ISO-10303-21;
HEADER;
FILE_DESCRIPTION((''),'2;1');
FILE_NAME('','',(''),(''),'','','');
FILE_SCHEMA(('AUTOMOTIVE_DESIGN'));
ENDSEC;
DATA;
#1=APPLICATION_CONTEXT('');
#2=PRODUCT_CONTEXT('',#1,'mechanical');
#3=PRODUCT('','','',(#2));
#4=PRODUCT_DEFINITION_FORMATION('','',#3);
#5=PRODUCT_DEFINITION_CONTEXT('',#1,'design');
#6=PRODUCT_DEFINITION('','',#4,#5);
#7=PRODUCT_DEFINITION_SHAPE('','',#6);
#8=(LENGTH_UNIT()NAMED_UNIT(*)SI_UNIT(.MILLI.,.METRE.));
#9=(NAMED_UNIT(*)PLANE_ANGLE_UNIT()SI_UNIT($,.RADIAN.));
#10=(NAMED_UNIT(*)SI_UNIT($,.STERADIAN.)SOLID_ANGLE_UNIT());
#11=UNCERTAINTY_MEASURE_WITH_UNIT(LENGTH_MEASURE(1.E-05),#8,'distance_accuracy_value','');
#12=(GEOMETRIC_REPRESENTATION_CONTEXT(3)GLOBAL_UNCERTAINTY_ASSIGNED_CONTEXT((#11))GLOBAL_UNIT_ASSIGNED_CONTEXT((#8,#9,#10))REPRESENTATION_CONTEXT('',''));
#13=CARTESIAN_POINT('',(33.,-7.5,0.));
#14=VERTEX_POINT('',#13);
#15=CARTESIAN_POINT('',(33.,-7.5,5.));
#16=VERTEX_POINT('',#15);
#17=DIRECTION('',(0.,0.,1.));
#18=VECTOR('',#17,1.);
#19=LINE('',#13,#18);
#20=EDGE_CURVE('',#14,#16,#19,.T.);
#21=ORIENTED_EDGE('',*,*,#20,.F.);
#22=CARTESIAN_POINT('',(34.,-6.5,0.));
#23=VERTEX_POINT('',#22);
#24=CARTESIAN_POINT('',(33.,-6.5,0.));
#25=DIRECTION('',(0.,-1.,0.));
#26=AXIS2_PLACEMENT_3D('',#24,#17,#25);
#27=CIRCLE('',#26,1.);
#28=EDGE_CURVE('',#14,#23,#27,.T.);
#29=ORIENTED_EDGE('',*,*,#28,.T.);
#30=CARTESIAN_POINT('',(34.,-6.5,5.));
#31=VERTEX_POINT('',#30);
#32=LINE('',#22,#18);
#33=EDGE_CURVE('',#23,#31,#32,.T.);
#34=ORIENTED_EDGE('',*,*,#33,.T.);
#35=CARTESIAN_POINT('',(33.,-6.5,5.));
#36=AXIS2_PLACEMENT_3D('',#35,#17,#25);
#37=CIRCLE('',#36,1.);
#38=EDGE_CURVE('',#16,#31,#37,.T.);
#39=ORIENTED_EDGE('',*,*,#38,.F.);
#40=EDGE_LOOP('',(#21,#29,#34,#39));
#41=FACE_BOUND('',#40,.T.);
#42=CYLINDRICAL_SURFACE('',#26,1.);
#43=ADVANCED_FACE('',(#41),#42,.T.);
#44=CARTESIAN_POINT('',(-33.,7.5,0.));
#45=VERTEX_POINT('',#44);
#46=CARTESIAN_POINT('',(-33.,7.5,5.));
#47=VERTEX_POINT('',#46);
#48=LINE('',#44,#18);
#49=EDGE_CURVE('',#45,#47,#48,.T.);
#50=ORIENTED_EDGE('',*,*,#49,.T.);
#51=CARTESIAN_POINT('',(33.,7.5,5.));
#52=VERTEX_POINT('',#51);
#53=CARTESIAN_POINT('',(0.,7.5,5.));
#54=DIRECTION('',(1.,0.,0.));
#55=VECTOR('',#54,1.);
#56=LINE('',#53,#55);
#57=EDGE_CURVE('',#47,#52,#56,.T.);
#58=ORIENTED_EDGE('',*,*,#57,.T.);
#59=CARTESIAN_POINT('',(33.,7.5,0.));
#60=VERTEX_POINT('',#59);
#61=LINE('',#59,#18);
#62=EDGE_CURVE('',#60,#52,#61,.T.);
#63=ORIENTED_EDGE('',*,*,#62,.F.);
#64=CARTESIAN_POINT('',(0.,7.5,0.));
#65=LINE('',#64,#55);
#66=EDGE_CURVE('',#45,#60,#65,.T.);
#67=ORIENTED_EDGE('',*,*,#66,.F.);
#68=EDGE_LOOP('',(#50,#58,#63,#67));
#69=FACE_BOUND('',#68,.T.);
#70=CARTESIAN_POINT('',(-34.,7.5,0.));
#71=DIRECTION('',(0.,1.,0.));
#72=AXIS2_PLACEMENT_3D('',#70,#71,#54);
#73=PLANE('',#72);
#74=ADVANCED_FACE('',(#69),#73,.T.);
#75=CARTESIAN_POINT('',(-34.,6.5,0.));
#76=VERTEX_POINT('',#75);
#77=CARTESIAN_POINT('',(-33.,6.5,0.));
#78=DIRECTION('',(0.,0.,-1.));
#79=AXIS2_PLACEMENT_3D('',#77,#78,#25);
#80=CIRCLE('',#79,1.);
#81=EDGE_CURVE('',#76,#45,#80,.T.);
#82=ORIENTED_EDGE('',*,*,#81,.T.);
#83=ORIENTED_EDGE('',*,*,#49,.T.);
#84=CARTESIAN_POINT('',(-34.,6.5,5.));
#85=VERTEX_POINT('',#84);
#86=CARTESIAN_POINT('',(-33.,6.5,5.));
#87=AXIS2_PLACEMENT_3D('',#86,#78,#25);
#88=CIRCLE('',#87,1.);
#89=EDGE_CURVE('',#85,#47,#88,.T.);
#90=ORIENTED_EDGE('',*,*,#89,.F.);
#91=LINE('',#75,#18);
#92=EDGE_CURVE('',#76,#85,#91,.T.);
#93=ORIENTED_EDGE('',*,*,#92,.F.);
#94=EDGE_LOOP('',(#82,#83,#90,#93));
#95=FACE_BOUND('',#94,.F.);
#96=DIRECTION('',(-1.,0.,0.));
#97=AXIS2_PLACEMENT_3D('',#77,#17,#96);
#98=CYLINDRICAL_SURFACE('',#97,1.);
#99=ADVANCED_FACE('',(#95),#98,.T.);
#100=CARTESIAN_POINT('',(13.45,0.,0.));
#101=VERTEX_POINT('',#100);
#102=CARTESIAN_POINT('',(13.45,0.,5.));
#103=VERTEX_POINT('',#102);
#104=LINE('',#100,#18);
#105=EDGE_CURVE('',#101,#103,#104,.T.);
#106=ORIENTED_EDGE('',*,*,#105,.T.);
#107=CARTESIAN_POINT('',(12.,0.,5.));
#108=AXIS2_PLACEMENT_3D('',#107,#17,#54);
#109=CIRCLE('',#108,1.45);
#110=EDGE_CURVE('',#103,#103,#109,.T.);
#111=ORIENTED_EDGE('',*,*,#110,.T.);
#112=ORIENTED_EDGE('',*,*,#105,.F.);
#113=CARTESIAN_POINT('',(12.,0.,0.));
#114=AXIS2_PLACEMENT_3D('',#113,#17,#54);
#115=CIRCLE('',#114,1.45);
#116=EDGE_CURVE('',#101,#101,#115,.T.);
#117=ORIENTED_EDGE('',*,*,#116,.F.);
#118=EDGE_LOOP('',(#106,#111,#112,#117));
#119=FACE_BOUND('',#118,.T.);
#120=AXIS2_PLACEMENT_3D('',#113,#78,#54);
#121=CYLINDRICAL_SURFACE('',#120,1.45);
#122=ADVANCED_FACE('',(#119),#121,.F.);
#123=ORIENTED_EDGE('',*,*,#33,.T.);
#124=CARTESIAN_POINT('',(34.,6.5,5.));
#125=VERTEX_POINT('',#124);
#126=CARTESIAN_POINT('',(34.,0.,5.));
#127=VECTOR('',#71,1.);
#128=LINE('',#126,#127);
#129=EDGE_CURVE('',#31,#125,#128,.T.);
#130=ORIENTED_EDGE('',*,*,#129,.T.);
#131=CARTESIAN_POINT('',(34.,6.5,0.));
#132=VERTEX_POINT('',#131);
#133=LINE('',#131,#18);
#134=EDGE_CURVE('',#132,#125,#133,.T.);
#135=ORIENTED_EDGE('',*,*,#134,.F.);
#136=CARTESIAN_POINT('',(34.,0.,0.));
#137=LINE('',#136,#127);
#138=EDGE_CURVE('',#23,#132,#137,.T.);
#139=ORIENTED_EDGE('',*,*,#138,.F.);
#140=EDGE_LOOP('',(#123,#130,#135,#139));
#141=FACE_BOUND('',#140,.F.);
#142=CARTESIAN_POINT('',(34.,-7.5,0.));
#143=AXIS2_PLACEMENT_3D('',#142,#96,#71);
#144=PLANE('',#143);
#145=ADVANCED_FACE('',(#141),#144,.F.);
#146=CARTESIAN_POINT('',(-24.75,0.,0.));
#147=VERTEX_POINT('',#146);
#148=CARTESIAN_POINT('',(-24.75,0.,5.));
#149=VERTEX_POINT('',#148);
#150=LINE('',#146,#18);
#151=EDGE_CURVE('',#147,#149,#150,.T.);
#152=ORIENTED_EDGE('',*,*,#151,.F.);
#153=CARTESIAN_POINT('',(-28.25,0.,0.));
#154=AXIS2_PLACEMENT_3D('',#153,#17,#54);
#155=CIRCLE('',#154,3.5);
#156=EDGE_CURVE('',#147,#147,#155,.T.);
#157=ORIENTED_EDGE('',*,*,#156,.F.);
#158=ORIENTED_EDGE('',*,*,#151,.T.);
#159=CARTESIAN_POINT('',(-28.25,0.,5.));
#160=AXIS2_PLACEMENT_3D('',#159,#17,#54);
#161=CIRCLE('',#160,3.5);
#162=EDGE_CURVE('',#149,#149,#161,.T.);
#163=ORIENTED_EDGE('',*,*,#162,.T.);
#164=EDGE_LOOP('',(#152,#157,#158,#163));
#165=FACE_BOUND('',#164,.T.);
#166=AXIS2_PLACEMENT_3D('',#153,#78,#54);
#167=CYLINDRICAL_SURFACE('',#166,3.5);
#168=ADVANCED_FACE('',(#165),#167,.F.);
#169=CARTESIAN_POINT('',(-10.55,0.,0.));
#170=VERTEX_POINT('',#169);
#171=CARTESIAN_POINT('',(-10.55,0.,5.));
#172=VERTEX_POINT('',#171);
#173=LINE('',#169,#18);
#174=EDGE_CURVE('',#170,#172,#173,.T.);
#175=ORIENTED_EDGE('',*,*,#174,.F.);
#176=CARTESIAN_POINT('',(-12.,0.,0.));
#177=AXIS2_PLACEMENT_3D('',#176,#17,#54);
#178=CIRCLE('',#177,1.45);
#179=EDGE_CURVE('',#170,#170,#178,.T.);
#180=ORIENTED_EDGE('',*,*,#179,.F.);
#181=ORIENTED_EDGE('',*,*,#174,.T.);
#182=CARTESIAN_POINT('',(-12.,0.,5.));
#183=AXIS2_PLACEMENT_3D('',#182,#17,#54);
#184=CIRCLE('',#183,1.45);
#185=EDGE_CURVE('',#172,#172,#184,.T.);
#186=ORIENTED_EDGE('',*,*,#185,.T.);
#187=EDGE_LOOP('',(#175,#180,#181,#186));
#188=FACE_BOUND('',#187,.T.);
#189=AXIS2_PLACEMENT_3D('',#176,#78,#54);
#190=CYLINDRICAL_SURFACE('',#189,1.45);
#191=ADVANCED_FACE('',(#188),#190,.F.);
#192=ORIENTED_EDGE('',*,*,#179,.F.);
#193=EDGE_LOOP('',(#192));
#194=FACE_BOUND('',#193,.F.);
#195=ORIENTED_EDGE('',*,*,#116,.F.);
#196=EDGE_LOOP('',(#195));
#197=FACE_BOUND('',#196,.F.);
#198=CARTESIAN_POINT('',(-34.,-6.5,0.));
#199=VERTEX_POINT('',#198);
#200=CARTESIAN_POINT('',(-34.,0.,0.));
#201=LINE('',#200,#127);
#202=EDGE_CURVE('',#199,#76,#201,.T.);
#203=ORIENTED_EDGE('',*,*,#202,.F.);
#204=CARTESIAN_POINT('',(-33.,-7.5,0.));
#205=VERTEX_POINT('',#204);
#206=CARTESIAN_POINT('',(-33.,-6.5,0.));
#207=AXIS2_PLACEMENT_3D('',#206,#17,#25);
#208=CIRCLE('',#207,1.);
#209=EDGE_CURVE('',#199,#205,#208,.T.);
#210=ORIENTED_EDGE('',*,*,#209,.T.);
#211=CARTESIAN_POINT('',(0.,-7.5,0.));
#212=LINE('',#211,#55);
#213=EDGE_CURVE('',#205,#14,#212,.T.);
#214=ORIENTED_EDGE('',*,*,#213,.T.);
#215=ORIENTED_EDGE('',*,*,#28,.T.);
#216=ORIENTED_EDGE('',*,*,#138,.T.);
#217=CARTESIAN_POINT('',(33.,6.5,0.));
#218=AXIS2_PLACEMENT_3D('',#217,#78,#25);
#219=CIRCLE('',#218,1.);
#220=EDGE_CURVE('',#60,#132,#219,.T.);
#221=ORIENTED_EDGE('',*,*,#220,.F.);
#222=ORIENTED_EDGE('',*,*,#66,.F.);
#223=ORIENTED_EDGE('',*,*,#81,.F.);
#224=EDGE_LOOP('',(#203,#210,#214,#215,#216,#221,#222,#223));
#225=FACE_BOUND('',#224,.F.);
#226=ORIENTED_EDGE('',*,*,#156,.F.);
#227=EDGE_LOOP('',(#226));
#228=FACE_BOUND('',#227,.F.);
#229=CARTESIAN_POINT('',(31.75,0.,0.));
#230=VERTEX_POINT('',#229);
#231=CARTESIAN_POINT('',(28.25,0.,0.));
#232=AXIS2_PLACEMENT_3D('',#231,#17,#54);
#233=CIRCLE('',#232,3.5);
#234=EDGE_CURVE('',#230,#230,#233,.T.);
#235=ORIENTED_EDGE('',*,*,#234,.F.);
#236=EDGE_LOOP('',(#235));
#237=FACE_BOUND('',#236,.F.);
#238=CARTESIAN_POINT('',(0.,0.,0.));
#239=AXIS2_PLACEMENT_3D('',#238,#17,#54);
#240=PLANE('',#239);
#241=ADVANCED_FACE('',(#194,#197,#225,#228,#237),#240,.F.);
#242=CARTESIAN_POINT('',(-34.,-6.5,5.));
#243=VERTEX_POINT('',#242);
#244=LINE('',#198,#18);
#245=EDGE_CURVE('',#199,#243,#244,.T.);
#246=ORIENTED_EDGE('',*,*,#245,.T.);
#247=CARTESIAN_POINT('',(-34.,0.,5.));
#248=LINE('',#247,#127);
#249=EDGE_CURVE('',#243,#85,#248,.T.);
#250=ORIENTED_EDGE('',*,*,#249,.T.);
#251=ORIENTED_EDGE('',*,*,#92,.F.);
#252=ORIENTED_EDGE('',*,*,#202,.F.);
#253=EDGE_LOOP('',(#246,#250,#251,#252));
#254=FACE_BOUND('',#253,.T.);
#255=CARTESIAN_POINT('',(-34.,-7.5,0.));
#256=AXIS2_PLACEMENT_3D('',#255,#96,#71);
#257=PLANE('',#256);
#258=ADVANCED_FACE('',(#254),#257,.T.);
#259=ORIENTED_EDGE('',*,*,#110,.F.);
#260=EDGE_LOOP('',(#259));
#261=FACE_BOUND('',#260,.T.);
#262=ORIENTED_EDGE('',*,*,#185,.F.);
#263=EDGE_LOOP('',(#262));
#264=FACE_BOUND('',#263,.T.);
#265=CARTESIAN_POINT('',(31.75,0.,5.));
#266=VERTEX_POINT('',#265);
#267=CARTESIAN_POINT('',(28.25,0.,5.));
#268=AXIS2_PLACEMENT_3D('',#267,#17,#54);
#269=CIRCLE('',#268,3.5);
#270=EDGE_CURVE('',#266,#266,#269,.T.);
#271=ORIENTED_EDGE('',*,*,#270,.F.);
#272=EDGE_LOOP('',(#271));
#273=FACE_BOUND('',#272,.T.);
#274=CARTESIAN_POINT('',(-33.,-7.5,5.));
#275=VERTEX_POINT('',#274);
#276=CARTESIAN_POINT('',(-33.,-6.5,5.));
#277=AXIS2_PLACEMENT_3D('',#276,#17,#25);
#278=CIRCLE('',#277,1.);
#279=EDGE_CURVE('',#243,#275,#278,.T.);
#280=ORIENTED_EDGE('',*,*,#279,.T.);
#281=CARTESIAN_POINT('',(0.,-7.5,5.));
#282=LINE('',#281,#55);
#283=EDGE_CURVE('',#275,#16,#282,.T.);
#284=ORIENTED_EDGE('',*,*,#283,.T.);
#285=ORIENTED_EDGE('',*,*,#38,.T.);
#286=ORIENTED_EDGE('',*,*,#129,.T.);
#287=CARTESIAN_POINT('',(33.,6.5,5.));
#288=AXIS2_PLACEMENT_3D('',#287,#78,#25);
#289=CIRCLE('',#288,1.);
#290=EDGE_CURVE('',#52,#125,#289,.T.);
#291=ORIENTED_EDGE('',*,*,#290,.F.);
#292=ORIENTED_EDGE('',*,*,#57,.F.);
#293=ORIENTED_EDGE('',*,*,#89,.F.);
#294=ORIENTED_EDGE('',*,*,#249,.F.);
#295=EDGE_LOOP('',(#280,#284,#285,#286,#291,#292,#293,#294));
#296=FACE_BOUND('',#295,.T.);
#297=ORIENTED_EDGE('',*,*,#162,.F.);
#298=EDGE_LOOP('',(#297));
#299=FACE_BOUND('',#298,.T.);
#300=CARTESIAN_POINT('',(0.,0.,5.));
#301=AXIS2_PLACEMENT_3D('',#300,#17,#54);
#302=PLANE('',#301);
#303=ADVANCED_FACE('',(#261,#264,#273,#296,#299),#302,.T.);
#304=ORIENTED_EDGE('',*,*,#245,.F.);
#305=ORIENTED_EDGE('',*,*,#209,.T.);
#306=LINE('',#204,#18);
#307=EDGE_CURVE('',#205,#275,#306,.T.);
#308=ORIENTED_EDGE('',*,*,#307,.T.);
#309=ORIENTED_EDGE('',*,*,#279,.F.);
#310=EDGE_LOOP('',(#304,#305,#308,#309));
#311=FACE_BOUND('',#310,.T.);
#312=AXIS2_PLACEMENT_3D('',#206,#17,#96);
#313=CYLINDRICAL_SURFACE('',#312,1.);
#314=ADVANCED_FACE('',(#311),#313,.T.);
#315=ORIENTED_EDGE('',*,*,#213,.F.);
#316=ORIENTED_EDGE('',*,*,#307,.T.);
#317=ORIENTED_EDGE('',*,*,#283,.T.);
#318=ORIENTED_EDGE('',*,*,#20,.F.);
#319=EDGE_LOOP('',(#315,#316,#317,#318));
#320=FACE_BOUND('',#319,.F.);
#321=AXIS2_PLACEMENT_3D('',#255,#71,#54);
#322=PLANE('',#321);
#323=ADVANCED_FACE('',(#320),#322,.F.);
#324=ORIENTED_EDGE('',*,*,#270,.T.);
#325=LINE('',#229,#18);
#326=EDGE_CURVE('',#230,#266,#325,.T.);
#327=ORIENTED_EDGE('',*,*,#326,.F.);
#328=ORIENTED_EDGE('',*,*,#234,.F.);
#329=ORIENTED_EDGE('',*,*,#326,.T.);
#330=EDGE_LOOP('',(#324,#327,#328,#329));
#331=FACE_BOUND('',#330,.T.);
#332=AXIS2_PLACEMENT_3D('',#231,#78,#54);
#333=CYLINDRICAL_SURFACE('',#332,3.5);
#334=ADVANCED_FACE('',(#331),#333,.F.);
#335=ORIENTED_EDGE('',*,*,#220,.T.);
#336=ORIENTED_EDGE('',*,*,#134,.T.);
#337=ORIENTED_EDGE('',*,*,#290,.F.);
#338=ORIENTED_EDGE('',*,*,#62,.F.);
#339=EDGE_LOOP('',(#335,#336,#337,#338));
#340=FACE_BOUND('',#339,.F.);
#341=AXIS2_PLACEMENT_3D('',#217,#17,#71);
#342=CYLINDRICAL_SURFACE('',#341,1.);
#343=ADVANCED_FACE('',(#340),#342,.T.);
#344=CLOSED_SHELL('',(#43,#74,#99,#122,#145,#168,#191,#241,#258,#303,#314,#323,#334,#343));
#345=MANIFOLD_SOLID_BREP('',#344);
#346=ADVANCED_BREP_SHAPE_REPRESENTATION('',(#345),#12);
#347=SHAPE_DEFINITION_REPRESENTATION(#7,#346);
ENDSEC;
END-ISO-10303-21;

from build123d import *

# Parameters (mm, degrees)
SKETCH_W   = 68
SKETCH_H   = 15
SKETCH_R   = 3.5
SKETCH_R_2 = 1.45
PAD_DEPTH  = 5
FILLET_R   = 1


with BuildPart() as part:
    # Sketch → Pad (new body)
    with BuildSketch(Plane.XY):
        Rectangle(SKETCH_W, SKETCH_H)
        with Locations((-28.25, 0)):
            Circle(SKETCH_R, mode=Mode.SUBTRACT)
        with Locations((28.25, 0)):
            Circle(SKETCH_R, mode=Mode.SUBTRACT)
        with Locations((-12, 0)):
            Circle(SKETCH_R_2, mode=Mode.SUBTRACT)
        with Locations((12, 0)):
            Circle(SKETCH_R_2, mode=Mode.SUBTRACT)
    extrude(amount=PAD_DEPTH)

    # Fillet
    fillet_edges = [part.edges().sort_by_distance(p)[0] for p in [
        (34, -7.5, 2.5),
        (34, 7.5, 2.5),
        (-34, -7.5, 2.5),
        (-34, 7.5, 2.5),
    ]]
    fillet(fillet_edges, radius=FILLET_R)


solid = part.part
